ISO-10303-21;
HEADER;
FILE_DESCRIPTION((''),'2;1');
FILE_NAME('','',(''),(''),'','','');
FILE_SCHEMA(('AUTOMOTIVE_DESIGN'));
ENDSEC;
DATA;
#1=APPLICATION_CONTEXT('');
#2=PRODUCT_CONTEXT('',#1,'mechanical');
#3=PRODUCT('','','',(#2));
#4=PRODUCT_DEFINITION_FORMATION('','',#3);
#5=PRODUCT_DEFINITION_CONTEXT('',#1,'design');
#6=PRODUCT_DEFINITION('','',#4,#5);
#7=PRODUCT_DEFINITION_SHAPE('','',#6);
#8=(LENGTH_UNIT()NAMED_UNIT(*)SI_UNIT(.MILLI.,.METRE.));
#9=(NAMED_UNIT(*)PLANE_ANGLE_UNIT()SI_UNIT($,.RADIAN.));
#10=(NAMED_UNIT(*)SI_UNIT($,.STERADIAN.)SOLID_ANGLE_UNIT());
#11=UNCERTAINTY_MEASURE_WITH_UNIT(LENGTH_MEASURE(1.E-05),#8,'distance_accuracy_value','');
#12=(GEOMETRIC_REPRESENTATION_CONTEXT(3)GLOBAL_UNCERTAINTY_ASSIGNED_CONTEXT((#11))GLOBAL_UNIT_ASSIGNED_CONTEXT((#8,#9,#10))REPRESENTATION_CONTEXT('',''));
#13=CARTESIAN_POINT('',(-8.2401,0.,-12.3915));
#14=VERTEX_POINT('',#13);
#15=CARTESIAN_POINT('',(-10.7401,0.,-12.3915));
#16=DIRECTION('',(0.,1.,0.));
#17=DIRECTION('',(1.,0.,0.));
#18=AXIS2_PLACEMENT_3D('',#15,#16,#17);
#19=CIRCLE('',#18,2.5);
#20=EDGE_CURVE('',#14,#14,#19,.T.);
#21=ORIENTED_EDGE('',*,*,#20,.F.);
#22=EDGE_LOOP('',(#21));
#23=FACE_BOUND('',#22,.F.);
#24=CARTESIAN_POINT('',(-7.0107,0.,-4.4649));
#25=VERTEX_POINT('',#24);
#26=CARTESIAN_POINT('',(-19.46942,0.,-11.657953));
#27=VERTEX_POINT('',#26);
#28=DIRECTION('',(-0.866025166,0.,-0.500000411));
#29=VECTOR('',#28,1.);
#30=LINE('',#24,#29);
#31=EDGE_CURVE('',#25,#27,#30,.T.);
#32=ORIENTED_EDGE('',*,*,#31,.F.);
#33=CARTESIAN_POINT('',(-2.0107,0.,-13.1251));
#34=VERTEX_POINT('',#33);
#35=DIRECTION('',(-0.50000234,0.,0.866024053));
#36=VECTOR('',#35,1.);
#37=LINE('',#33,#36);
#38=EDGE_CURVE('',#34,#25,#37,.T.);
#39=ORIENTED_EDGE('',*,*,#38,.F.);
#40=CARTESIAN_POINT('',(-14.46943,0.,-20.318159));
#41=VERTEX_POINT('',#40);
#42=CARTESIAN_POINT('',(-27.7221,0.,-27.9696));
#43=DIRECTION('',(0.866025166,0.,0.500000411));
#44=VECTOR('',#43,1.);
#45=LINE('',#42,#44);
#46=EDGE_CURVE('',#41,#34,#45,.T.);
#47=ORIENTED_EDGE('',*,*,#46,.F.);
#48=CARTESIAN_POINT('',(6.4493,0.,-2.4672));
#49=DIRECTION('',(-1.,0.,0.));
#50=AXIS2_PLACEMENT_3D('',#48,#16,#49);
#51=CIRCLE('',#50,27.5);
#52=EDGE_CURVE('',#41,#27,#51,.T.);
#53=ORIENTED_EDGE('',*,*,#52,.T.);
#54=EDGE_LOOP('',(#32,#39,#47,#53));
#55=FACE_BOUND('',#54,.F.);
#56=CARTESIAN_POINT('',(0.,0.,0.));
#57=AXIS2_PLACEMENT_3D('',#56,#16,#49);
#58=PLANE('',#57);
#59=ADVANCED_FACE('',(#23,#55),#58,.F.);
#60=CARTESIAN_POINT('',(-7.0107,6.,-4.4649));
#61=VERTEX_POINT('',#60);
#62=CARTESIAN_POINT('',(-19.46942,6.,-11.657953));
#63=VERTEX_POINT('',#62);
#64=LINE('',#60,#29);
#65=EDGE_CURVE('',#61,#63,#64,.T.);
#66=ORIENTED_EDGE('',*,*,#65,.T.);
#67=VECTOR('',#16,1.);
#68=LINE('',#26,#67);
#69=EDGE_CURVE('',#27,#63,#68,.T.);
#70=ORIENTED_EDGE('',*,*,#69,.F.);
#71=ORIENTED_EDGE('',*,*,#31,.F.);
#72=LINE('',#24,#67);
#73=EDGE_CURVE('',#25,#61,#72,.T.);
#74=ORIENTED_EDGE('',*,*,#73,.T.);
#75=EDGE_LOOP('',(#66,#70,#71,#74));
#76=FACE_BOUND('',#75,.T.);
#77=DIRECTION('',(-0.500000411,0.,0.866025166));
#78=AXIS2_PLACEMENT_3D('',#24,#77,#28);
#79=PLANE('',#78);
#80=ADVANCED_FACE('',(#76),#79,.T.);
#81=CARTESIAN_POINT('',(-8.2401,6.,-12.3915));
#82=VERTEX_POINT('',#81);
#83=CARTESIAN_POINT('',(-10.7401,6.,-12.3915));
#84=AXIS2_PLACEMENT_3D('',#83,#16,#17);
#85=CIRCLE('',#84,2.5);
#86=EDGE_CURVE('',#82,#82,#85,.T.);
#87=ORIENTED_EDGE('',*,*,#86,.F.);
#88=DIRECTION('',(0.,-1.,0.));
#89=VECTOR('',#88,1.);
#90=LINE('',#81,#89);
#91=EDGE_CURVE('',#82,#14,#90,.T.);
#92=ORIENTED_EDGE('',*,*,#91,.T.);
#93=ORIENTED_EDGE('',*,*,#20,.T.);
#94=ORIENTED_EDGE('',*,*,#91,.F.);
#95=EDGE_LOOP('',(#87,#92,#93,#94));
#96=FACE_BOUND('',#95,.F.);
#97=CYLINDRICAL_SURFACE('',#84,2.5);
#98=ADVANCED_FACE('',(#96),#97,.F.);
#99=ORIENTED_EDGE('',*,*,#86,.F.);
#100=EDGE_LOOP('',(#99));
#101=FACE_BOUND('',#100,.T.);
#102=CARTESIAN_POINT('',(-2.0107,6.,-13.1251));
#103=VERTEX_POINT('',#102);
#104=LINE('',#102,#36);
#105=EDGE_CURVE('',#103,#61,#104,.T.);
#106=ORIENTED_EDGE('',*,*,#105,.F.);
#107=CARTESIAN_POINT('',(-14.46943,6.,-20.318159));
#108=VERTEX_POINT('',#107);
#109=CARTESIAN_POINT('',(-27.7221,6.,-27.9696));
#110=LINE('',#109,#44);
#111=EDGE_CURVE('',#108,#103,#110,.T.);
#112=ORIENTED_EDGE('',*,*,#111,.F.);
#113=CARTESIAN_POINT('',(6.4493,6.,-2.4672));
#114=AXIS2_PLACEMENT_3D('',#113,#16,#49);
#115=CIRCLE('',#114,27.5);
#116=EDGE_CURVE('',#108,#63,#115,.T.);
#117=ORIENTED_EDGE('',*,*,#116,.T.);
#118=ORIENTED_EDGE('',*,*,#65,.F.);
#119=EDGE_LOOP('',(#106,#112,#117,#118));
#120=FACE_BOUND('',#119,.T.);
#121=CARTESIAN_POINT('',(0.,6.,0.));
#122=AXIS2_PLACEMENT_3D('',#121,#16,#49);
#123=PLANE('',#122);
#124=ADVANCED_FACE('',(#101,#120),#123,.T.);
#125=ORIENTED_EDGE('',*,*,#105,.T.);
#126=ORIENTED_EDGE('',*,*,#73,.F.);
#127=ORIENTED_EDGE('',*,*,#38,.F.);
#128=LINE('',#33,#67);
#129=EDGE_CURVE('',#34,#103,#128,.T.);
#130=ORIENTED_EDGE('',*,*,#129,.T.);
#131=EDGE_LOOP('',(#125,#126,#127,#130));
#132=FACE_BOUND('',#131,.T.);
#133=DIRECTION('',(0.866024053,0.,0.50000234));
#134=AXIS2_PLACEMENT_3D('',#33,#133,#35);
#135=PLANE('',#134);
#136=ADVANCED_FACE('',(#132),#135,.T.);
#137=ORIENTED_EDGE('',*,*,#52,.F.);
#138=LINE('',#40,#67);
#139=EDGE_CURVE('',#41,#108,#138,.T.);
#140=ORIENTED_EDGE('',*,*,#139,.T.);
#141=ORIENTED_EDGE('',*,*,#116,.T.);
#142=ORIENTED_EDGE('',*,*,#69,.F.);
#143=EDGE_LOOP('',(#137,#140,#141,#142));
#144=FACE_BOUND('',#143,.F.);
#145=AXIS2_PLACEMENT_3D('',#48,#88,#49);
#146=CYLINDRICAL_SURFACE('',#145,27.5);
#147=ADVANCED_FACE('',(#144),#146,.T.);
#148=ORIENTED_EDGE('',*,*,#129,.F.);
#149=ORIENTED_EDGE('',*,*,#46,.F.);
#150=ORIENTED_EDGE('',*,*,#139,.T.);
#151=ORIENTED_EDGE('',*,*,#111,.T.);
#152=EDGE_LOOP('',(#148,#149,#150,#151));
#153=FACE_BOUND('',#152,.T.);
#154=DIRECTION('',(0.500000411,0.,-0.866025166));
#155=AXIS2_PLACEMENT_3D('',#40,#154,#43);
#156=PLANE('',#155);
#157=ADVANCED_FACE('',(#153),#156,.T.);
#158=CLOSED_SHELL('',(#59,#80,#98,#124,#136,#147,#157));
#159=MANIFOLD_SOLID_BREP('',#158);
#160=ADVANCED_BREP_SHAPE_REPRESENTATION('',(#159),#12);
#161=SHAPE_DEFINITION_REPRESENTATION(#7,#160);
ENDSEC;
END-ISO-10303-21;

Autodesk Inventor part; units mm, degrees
ref_plane "YZ Plane" through (0, 0, 0) normal (1, 0, 0) x (0, 1, 0)
ref_plane "XZ Plane" through (0, 0, 0) normal (0, 1, 0) x (-1, 0, 0)
ref_plane "XY Plane" through (0, 0, 0) normal (0, 0, 1) x (1, 0, 0)
sketch "Sketch7" plane through (0, 0, 0) normal (0, 1, 0) x (-1, 0, 0)
  circle A0 centre (-6.4493, -2.4672) radius 27.5
  circle A1 centre (-6.4493, -2.4672) radius 3.05
  line L0 (-6.4493, -2.4672) -> (-6.4493, 25.0328)
  line L1 (-11.4493, 39.8773) -> (-1.4493, 39.8773)
  line L2 (-1.4493, 39.8773) -> (-1.4493, 10.1882)
  line L3 (-1.4493, 10.1882) -> (-11.4493, 10.1882)
  line L4 (-11.4493, 10.1882) -> (-11.4493, 39.8773)
  line L5 (-11.4493, 39.8773) -> (-1.4493, 10.1882) construction
  line L6 (-1.4493, 39.8773) -> (-11.4493, 10.1882) construction
  line L7 (-45.6207, -19.3094) -> (-19.9093, -4.4649)
  line L8 (-19.9093, -4.4649) -> (-14.9093, -13.1251)
  line L9 (-14.9093, -13.1251) -> (-40.6207, -27.9696)
  line L10 (27.7221, -27.9696) -> (2.0107, -13.1251)
  line L11 (2.0107, -13.1251) -> (7.0107, -4.4649)
  line L12 (7.0107, -4.4649) -> (32.7221, -19.3094)
  point P0 (0, 0)
  point P1 (14.4694, -20.3182)
  point P2 (19.4694, -11.6579)
  dimension "d8" = 360
extrude "Extrusion2" add sketch "Sketch7" along normal blind 6 contours A0 L10 L11 L12
sketch "Sketch8" plane through (0, 6, 0) normal (0, 1, 0) x (1, 0, 0)
  arc A0 (-14.4694, 20.3182) -> (-19.4694, 11.6579) centre (6.4493, 2.4672) ccw projected
  line L0 (-19.4694, 11.6579) -> (-7.0107, 4.4649) projected
  line L1 (-14.4694, 20.3182) -> (-19.4694, 11.6579)
  circle A1 centre (-10.7401, 12.3915) radius 2.5
  point P0 (0, 0)
  dimension "d11" = 5
extrude "Extrusion3" cut sketch "Sketch8" against normal through all contours A1
sketch "Sketch12" plane through (0, 0, 0) normal (0, -1, 0) x (1, 0, 0)
  line L0 (-2.0107, -13.1251) -> (-14.4694, -20.3182) projected
  line L1 (-19.4694, -11.6579) -> (-7.0107, -4.4649) projected
  line L2 (-14.4694, -20.3182) -> (-19.4694, -11.6579)
  point P0 (0, 0)
equation "\"BendRadius\" = Thickness"
equation "\"BendReliefWidth\" = Thickness"
equation "\"BendReliefDepth\" = 0.5 * Thickness"
equation "\"CornerReliefSize\" = 4 * Thickness"
equation "\"MinimumRemnant\" = 2 * Thickness"
equation "\"TransitionRadius\" = BendRadius"
equation "\"JacobiRadiusSize\" = BendRadius"
equation "\"GapSize\" = Thickness"
equation "\"Thickness\" = 0.5"
